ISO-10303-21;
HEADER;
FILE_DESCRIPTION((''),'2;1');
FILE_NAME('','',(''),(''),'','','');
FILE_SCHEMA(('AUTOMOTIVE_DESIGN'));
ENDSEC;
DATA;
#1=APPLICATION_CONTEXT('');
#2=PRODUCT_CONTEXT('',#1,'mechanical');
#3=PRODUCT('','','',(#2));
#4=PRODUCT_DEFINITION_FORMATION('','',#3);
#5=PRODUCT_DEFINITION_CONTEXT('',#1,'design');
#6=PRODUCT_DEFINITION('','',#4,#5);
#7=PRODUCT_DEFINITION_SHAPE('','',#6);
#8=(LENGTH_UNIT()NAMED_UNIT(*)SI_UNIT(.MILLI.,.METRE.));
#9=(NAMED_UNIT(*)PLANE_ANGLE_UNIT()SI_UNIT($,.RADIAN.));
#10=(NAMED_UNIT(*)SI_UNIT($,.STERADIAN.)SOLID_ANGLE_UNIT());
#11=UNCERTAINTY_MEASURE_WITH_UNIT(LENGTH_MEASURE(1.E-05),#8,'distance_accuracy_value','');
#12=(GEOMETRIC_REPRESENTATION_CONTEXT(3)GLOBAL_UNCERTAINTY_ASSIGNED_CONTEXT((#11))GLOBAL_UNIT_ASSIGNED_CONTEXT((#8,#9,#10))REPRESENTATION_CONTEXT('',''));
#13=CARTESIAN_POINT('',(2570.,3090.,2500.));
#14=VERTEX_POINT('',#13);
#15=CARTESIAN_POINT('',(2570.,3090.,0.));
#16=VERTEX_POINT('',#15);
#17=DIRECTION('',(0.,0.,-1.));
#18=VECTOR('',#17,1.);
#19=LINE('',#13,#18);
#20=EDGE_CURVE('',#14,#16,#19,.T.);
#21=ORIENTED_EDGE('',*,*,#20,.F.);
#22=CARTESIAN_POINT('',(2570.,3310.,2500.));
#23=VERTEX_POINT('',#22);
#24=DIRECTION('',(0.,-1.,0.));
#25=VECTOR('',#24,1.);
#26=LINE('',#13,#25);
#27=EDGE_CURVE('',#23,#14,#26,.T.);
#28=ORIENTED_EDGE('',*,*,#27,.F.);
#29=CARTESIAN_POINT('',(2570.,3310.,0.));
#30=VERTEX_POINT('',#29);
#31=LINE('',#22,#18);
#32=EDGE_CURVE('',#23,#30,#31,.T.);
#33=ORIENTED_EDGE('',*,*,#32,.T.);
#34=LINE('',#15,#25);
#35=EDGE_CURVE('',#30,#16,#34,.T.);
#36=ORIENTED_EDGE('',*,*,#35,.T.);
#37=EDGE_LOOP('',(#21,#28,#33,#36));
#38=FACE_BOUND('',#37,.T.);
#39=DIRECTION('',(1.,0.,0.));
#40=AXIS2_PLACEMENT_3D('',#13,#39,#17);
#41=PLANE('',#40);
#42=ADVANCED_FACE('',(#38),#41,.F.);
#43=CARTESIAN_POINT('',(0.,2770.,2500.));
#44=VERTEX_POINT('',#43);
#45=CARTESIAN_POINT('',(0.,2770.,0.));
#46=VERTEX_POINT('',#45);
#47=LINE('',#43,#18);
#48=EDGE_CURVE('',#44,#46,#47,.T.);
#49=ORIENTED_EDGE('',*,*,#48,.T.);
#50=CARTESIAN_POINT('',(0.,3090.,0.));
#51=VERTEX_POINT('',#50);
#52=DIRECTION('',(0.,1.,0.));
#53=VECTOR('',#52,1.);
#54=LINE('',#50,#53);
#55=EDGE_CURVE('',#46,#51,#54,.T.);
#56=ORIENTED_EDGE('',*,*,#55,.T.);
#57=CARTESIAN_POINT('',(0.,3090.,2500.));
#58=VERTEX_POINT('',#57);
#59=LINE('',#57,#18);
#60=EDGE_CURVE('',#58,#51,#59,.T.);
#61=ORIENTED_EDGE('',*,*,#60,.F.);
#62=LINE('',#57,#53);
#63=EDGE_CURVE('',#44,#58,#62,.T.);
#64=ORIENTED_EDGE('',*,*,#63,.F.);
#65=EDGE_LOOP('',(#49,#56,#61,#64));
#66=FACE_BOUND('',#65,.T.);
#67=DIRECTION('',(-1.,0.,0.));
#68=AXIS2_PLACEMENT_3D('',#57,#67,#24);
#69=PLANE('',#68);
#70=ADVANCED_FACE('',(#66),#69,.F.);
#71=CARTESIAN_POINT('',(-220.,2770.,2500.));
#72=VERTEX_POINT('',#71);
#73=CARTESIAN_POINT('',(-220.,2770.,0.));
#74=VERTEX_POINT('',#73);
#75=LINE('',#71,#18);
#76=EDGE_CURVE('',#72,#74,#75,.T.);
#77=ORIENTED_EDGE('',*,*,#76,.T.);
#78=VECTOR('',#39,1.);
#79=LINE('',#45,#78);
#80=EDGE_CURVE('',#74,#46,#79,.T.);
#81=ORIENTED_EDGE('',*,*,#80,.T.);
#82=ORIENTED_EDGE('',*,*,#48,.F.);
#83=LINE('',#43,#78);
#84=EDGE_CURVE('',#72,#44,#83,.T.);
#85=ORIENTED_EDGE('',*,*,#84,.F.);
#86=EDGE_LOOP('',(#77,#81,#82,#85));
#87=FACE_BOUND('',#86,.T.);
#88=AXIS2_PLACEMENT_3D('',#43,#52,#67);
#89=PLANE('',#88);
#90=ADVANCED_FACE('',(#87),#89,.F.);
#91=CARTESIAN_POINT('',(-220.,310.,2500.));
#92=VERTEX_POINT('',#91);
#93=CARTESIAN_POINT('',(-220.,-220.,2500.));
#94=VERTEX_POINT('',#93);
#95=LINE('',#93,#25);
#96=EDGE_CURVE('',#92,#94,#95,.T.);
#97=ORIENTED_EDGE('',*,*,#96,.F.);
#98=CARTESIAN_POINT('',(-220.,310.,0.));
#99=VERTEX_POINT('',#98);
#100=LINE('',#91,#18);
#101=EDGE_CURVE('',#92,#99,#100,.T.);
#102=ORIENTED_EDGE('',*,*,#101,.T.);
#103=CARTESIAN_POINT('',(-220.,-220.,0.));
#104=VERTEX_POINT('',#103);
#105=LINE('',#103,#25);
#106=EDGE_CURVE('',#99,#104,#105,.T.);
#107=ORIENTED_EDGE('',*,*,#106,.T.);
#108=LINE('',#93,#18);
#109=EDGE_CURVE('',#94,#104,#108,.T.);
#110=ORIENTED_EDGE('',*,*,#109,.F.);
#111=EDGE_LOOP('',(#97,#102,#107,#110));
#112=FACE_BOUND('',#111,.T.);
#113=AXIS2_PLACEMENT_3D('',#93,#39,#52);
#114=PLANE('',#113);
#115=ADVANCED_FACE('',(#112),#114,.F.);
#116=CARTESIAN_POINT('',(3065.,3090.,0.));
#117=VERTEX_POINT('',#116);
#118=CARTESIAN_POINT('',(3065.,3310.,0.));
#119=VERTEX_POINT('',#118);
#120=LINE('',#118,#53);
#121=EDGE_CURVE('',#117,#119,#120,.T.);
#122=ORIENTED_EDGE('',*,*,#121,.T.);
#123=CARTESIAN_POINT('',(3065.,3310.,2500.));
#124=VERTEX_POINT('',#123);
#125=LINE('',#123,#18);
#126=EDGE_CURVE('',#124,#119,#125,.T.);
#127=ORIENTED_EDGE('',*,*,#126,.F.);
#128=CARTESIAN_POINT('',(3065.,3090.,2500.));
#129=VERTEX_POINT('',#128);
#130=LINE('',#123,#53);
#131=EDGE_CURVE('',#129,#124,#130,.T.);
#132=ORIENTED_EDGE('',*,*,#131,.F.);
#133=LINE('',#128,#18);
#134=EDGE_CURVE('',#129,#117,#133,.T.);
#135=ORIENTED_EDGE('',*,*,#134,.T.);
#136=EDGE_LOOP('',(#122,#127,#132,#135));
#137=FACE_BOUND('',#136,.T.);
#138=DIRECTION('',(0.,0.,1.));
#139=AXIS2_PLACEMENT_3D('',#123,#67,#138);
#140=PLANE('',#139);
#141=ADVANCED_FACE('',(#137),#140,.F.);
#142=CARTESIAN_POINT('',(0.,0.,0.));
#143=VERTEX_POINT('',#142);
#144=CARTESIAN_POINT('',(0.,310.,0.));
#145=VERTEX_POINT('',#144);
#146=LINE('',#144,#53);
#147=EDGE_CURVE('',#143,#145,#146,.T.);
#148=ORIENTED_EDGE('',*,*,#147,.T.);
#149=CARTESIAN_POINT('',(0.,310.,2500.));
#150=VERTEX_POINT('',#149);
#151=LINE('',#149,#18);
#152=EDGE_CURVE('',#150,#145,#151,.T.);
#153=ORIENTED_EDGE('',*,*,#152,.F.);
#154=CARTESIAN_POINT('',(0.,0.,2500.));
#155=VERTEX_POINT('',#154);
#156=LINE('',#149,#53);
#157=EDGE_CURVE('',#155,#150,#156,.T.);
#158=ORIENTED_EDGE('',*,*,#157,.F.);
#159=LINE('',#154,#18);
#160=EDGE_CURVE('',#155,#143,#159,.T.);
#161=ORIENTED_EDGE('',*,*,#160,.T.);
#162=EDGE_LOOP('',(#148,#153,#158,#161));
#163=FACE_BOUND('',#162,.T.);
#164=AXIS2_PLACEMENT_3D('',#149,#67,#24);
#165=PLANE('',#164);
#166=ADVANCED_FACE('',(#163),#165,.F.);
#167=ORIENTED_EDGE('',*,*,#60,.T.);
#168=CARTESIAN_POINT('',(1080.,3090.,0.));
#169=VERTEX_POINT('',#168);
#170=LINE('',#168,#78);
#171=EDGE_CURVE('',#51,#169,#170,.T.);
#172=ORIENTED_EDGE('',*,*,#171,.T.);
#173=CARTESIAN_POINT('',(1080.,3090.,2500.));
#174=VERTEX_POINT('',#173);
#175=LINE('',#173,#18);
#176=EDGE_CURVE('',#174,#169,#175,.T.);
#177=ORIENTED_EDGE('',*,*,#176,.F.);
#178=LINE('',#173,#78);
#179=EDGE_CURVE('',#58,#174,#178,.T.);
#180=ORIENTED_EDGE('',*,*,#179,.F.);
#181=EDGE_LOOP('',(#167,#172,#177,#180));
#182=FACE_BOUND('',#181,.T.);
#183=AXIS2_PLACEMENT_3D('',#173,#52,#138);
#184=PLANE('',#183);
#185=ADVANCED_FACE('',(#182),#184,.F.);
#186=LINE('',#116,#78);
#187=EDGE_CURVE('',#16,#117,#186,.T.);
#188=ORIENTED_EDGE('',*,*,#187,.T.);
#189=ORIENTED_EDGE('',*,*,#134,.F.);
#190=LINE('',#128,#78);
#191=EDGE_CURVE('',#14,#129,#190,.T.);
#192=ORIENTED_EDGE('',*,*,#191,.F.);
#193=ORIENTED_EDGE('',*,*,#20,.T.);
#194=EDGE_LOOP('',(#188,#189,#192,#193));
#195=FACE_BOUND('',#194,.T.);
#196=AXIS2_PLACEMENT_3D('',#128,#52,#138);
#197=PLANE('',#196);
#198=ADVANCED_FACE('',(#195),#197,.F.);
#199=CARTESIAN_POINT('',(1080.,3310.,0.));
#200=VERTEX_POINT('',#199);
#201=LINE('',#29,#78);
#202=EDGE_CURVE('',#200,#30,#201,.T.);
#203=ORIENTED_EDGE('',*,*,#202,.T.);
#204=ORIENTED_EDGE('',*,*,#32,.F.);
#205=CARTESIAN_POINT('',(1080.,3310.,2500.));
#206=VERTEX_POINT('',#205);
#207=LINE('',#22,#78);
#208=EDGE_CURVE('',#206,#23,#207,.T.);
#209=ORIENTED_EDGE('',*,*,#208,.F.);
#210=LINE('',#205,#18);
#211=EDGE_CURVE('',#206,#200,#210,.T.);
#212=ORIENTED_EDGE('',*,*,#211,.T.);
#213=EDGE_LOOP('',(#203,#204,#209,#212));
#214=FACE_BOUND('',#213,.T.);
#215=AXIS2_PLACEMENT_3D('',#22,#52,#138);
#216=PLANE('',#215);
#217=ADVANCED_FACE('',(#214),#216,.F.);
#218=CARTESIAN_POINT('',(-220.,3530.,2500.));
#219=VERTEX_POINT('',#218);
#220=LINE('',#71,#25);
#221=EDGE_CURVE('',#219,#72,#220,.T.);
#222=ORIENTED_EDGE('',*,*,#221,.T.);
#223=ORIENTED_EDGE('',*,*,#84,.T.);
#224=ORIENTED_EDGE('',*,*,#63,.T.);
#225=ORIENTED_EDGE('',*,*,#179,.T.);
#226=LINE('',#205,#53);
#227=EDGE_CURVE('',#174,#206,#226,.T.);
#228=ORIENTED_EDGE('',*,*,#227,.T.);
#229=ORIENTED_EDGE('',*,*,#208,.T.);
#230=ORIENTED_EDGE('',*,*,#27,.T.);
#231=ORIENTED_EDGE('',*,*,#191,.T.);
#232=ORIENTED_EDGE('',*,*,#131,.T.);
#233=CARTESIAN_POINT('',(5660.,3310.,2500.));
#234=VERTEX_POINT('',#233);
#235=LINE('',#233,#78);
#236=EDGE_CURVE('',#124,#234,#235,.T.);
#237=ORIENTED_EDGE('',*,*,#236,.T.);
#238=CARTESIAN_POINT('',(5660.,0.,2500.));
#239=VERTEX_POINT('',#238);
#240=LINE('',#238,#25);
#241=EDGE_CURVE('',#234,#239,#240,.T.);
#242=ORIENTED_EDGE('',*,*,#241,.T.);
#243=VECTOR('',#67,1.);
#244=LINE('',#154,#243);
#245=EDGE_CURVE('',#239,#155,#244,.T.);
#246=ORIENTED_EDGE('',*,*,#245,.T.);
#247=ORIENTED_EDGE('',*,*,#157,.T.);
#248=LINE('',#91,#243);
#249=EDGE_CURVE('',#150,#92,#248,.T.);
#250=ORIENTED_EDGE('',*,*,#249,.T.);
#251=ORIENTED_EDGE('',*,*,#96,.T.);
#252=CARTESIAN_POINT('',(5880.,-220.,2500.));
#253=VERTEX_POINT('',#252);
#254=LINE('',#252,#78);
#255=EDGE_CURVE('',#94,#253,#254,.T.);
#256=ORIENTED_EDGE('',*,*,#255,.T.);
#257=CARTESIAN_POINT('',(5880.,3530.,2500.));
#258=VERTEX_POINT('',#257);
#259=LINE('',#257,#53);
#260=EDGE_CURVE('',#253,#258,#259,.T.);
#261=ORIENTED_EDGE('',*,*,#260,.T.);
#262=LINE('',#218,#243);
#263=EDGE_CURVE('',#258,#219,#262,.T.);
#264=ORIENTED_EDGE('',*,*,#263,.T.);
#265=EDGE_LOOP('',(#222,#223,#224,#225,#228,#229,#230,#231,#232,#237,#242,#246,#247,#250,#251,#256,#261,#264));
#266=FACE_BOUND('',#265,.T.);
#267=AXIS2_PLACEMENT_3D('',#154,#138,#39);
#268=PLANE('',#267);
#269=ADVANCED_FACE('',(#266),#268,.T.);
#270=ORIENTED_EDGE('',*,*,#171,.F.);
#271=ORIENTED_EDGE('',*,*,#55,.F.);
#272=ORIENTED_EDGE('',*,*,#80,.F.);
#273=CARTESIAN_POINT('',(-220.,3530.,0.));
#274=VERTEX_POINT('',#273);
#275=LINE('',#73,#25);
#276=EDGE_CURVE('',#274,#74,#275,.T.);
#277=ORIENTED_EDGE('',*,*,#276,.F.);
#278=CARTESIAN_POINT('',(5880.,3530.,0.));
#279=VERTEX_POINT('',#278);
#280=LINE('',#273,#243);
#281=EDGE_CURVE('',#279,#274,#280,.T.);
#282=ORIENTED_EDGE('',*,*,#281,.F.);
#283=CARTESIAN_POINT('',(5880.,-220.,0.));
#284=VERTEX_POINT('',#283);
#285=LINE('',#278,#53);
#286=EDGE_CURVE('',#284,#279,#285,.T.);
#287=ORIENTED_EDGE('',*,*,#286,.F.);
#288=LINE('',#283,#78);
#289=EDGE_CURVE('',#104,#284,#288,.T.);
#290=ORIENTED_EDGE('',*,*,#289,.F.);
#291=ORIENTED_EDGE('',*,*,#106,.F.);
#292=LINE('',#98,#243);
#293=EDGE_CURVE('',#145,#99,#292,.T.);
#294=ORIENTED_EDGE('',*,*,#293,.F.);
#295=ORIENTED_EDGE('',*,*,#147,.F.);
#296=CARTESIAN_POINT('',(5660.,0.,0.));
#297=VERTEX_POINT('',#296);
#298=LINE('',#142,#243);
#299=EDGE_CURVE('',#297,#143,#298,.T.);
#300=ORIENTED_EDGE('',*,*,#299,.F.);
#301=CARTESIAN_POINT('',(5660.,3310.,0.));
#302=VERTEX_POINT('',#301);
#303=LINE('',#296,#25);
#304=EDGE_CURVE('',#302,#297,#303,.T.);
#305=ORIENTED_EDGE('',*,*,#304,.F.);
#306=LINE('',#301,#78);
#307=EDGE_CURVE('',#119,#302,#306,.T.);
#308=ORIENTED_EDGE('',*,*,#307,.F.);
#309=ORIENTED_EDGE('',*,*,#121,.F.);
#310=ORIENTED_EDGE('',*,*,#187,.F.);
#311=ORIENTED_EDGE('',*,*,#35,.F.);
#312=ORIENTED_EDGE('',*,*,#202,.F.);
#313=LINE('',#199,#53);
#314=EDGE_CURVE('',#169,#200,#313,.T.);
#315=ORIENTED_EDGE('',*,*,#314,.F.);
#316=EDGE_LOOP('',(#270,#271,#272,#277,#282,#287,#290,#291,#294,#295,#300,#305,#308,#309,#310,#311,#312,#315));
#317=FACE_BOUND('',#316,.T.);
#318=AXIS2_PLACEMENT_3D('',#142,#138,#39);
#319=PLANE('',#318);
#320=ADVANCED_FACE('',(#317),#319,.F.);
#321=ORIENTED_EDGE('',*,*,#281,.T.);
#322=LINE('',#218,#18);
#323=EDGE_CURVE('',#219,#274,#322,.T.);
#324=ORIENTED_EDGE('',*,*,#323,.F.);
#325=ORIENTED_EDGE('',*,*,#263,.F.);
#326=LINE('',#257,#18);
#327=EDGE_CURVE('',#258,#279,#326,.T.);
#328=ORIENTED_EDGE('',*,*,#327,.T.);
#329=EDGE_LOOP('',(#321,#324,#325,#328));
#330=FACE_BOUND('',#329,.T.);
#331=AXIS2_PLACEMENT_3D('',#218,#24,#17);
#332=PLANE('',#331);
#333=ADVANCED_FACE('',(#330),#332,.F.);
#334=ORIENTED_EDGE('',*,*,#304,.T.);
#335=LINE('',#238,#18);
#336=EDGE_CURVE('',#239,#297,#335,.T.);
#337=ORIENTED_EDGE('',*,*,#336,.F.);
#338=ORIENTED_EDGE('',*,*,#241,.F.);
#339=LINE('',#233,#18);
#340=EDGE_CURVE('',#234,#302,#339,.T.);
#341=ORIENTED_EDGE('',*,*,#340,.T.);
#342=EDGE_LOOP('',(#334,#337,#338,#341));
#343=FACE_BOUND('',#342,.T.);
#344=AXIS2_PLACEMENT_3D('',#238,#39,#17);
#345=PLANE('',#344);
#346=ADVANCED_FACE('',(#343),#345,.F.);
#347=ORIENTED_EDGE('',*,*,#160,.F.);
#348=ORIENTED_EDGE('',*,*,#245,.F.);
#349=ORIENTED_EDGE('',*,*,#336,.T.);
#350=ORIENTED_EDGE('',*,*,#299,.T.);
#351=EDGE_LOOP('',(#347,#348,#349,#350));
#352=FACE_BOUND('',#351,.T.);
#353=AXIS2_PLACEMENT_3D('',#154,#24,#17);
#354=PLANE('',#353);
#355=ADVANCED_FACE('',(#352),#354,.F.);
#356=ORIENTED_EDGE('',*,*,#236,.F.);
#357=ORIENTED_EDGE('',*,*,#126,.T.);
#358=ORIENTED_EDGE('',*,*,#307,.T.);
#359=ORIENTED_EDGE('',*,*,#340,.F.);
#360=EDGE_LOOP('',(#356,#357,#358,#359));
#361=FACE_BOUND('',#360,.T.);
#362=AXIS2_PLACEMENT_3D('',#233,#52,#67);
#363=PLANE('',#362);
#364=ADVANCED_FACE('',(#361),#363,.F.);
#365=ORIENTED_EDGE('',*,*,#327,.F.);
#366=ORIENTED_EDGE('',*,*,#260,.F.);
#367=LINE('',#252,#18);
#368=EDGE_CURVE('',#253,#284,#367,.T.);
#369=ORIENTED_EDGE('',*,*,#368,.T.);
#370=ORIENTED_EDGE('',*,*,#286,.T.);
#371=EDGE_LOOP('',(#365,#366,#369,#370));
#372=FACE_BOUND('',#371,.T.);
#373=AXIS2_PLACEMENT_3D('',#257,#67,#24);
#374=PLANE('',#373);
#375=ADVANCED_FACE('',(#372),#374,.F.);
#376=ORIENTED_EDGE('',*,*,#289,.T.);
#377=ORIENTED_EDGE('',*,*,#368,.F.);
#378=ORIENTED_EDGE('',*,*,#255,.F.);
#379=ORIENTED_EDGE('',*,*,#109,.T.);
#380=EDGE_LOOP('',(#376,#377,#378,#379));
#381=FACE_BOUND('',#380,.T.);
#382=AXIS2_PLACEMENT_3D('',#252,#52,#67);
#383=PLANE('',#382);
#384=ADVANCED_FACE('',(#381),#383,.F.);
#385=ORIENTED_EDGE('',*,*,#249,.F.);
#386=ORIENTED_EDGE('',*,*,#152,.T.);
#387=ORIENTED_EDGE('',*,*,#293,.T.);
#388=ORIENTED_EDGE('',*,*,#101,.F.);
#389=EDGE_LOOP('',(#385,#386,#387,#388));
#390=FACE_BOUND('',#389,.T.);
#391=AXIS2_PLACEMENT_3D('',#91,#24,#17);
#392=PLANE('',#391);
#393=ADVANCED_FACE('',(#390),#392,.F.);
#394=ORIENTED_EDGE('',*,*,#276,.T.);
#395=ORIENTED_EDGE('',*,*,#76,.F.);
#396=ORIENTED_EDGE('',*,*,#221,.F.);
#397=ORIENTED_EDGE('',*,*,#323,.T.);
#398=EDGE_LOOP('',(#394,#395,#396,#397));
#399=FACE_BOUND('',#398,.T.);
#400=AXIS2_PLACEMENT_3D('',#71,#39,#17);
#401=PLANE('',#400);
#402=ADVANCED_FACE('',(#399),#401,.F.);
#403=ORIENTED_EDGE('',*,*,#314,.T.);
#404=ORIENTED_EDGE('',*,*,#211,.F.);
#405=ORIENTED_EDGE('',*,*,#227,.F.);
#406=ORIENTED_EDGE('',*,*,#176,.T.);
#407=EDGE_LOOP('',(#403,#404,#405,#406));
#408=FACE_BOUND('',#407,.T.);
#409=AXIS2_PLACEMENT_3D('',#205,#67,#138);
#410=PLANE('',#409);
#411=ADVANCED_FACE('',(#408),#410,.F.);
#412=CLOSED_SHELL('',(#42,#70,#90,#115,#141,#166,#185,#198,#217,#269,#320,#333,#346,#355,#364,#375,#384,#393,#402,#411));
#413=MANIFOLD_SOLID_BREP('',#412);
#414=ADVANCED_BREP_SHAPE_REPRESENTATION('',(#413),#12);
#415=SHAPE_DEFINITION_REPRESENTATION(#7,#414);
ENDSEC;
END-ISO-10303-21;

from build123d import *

# Parameters (mm, degrees)
BOSS_EXTRU_1_DEPTH = 2500


with BuildPart() as part:
    # Esquisse1 → Boss.-Extru.1 (new body)
    with BuildSketch(Plane.XY):
        Polygon((0, 0), (5660, 0), (5660, 3310), (3065, 3310), (3065, 3090), (2570, 3090), (2570, 3310), (1080, 3310), (1080, 3090), (0, 3090), (0, 2770), (-220, 2770), (-220, 3530), (5880, 3530), (5880, -220), (-220, -220), (-220, 310), (0, 310), align=None)
    extrude(amount=BOSS_EXTRU_1_DEPTH)


solid = part.part
